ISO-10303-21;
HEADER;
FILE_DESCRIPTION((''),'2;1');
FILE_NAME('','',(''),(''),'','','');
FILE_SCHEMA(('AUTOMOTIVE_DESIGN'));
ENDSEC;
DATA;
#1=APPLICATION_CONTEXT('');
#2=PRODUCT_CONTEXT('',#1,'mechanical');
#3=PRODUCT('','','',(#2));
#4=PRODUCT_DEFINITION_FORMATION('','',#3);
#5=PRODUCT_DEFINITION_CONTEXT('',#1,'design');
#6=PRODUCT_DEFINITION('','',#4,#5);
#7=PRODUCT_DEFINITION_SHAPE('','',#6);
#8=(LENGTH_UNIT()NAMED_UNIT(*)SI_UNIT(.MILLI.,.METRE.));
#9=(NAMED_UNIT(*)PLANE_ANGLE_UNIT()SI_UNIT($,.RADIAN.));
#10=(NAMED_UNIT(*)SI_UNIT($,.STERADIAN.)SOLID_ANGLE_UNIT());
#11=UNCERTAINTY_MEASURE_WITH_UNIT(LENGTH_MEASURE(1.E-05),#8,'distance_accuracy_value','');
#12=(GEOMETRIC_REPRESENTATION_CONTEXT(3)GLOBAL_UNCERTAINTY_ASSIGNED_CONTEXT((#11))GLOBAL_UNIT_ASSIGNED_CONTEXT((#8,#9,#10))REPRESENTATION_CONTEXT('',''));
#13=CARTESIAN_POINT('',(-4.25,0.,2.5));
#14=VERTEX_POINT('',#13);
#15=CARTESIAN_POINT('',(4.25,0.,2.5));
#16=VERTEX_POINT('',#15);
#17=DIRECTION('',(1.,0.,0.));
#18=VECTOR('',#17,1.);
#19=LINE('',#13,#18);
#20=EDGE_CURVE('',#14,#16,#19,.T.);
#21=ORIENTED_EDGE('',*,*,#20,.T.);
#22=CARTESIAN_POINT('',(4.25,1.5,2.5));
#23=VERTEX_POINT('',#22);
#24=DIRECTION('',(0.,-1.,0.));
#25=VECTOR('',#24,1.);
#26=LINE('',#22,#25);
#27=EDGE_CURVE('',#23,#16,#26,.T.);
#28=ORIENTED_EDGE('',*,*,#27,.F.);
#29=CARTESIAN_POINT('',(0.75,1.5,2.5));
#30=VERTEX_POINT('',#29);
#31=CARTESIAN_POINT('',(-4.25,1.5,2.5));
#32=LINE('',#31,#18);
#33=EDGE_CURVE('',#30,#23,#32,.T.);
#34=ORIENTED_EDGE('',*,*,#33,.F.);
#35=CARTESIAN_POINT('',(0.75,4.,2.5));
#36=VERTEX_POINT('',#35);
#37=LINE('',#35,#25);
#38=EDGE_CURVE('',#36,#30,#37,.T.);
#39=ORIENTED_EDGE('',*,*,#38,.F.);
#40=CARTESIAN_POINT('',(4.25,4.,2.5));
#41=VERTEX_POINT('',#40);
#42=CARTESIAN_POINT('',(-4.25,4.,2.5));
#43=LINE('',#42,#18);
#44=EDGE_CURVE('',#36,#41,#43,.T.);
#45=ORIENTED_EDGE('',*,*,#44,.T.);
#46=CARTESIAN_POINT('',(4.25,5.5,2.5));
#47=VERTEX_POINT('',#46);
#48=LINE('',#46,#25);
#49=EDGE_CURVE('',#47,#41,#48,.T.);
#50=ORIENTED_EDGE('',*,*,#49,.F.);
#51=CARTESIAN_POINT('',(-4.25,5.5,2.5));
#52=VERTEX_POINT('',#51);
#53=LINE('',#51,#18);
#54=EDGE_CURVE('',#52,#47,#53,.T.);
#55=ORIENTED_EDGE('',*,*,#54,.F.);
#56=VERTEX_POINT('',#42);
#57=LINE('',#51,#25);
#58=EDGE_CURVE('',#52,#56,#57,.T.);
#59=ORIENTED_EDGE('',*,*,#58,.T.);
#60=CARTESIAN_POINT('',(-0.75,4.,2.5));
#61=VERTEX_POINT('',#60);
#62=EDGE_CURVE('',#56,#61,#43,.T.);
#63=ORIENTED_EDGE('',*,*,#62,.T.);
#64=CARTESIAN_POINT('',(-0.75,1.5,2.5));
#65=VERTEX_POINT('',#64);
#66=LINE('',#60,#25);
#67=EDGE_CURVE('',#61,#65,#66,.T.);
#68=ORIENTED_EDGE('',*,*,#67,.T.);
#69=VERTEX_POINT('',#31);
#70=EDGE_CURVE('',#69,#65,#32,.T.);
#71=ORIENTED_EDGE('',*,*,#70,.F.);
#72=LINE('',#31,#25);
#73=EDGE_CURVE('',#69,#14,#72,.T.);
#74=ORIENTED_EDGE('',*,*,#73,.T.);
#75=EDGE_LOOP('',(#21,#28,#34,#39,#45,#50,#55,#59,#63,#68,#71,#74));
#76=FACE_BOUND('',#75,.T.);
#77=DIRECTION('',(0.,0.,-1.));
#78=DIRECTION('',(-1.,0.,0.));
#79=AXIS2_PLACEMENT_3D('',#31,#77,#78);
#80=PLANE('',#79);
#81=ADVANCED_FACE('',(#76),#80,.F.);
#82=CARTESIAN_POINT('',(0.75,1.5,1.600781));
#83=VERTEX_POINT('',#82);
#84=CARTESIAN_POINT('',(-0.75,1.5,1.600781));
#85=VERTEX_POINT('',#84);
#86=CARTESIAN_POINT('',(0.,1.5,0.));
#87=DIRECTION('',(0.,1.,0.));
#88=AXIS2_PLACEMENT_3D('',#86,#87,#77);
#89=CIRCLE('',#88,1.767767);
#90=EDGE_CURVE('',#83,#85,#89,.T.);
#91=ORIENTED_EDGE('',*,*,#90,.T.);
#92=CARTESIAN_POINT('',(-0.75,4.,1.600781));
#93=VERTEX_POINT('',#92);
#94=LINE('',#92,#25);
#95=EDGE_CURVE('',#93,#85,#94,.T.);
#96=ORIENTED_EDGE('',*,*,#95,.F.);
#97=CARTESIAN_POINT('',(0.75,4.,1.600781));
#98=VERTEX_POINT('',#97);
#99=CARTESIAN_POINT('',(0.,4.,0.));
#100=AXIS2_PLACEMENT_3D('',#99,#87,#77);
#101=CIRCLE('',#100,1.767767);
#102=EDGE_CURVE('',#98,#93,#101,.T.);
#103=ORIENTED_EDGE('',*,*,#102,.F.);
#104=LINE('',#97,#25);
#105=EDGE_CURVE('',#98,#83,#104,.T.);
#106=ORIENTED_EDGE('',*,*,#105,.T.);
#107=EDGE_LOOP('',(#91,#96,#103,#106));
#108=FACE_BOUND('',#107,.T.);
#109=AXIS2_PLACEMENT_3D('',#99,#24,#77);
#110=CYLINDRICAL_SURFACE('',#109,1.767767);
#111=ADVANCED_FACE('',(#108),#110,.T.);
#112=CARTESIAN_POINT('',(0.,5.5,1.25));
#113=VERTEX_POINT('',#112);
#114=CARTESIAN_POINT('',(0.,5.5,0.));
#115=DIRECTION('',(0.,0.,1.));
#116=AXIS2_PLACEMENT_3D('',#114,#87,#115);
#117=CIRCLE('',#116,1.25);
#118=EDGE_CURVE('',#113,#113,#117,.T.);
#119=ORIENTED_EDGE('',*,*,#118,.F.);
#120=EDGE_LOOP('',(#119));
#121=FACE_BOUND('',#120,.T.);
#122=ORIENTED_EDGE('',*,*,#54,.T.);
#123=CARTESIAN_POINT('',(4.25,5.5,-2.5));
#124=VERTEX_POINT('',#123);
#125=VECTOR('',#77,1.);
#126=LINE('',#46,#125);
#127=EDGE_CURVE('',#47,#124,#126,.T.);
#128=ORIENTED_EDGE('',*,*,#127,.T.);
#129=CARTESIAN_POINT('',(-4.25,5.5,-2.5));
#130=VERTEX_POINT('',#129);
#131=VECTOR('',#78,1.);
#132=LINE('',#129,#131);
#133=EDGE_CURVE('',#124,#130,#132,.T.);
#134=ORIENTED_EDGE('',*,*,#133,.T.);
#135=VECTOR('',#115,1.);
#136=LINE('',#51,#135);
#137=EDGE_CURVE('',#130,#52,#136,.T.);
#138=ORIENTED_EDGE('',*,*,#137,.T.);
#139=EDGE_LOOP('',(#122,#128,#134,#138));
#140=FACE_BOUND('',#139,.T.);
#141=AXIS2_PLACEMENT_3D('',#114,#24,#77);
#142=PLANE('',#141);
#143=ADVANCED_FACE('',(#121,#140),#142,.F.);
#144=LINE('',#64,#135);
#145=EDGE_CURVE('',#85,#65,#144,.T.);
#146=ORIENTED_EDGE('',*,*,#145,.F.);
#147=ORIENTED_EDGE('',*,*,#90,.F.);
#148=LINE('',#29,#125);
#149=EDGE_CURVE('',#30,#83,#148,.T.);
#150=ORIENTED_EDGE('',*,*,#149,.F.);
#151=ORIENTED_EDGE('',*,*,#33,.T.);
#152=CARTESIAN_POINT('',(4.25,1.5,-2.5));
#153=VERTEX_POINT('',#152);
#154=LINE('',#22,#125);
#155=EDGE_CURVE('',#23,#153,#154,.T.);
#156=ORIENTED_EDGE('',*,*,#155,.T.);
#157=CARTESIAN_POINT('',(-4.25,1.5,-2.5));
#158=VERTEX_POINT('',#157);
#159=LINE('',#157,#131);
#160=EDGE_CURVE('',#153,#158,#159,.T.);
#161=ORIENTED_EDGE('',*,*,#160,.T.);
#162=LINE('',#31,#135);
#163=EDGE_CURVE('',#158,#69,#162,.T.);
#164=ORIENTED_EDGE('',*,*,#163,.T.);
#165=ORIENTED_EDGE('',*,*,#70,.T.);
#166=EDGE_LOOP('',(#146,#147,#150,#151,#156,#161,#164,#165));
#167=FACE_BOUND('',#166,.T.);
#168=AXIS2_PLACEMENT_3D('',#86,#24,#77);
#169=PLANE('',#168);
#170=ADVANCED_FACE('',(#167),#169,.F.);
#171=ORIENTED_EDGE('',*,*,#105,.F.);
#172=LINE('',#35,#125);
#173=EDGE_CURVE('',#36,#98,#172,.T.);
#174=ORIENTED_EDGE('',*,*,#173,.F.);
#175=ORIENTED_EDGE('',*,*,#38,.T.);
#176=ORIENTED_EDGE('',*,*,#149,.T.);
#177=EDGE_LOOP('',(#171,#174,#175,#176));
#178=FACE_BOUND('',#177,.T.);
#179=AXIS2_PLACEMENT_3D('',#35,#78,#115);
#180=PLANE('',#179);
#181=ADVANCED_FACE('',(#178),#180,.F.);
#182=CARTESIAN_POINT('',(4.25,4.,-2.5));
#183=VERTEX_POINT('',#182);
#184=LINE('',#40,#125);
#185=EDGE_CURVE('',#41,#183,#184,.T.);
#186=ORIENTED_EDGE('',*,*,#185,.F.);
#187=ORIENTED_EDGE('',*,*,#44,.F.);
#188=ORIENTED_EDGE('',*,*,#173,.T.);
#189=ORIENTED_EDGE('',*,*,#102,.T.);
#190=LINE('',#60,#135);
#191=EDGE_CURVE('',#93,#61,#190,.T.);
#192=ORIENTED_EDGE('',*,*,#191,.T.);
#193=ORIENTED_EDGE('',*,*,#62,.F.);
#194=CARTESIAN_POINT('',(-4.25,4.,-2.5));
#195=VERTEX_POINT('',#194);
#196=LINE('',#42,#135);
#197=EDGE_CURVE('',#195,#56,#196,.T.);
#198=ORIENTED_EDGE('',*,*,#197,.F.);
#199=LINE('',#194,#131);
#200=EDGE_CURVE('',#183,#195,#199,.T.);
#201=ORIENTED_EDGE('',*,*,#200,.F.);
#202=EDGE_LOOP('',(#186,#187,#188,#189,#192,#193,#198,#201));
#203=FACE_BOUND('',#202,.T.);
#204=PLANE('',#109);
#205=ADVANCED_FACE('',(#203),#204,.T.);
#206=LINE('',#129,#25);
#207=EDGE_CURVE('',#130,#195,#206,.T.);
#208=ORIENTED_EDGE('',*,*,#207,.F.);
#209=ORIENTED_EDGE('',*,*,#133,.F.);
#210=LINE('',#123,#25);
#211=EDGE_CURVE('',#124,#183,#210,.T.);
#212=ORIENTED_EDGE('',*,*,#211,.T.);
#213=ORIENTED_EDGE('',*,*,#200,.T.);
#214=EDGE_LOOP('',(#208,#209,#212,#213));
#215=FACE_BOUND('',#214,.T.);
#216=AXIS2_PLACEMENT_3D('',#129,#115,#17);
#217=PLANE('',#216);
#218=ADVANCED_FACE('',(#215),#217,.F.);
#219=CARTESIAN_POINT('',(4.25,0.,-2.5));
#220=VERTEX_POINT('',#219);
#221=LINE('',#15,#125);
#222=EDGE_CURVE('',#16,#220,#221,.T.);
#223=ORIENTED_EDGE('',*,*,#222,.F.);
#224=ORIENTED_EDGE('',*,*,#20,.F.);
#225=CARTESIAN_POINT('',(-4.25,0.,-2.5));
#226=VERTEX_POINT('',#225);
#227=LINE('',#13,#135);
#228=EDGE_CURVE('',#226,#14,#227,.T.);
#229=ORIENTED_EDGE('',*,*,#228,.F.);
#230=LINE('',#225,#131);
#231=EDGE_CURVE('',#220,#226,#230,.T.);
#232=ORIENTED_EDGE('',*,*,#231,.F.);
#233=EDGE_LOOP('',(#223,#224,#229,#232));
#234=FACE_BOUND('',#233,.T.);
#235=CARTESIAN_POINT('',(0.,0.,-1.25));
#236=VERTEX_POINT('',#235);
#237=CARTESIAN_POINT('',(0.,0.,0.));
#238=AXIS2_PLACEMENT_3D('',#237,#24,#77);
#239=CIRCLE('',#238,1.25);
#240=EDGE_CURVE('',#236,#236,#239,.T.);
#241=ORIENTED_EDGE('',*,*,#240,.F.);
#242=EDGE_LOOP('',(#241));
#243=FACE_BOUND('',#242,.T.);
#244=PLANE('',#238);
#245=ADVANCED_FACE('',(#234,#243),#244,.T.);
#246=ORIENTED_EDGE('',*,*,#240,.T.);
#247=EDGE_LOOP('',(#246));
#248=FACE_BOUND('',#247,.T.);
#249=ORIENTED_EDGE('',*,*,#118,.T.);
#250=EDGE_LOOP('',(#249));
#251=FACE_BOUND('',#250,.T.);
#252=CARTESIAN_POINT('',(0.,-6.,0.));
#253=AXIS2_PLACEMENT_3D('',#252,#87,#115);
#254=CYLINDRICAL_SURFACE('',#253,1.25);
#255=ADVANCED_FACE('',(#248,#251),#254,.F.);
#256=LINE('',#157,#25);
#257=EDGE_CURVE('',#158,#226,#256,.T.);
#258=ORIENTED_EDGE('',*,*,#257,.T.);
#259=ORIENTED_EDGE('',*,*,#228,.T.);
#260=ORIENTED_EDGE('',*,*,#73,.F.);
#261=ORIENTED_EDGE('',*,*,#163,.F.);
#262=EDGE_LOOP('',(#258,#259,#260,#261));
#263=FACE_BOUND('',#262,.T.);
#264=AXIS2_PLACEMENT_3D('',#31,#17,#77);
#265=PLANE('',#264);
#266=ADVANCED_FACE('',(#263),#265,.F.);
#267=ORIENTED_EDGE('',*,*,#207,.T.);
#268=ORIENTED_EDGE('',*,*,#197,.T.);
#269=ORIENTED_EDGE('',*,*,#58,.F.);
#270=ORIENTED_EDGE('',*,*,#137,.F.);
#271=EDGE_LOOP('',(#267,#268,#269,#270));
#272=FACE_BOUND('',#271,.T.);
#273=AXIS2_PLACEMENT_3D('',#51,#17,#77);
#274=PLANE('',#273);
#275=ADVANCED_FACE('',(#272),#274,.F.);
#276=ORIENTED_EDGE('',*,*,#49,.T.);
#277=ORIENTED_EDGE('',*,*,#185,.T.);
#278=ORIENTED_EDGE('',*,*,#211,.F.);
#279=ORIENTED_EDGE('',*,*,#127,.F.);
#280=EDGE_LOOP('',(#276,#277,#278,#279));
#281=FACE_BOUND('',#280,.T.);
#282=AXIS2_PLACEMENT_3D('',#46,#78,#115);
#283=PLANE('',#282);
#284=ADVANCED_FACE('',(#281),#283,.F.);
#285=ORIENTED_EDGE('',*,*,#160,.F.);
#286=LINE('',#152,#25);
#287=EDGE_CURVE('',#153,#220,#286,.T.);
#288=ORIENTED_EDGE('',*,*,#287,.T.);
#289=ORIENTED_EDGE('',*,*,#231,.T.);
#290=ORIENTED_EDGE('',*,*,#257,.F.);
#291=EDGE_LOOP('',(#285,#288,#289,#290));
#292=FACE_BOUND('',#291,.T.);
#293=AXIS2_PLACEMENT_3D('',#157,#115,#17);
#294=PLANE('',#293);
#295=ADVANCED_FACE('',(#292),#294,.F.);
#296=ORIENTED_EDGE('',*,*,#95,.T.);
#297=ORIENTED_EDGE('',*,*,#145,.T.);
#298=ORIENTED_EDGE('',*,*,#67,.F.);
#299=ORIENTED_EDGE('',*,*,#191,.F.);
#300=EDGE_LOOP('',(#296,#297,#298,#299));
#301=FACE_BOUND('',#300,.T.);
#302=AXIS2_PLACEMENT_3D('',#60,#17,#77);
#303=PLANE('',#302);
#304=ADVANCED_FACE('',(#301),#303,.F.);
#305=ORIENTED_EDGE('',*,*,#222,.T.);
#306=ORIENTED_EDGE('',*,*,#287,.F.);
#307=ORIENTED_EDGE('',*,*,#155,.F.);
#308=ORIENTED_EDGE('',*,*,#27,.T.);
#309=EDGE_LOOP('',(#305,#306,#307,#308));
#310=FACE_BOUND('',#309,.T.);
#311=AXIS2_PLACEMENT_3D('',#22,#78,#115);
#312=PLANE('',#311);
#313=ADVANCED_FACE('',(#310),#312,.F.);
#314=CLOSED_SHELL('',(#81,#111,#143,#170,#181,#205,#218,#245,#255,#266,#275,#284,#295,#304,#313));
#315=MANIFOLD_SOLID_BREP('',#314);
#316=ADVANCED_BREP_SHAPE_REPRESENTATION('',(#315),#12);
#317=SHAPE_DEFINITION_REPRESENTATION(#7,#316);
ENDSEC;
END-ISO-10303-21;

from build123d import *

# Parameters (mm, degrees)
SKETCH1_W           = 8.5
SKETCH1_H           = 5
BOSS_EXTRUDE1_DEPTH = 1.5
BOSS_EXTRUDE2_DEPTH = 2.5
SKETCH3_W           = 8.5
SKETCH3_H           = 5
BOSS_EXTRUDE3_DEPTH = 1.5
SKETCH4_R           = 1.25
CUT_EXTRUDE1_DEPTH  = 11.5


with BuildPart() as part:
    # Sketch1 → Boss-Extrude1 (new body)
    with BuildSketch(Plane(origin=(0, 0, 0), x_dir=(1, 0, 0), z_dir=(0, 1, 0))):
        Rectangle(SKETCH1_W, SKETCH1_H)
    extrude(amount=BOSS_EXTRUDE1_DEPTH)

    # Sketch2 → Boss-Extrude2 (add)
    with BuildSketch(Plane(origin=(0, 1.5, 0), x_dir=(1, 0, 0), z_dir=(0, 1, 0))):
        with BuildLine():
            Line((-0.75, -2.5), (0.75, -2.5))
            Line((0.75, -2.5), (0.75, -1.600781056))
            ThreePointArc((0.75, -1.600781056), (0, 1.76776695), (-0.75, -1.600781056))
            Line((-0.75, -1.600781056), (-0.75, -2.5))
        make_face()
    extrude(amount=BOSS_EXTRUDE2_DEPTH)

    # Sketch3 → Boss-Extrude3 (add)
    with BuildSketch(Plane(origin=(0, 4, 0), x_dir=(1, 0, 0), z_dir=(0, 1, 0))):
        Rectangle(SKETCH3_W, SKETCH3_H)
    extrude(amount=BOSS_EXTRUDE3_DEPTH)

    # Sketch4 → Cut-Extrude1 (cut)
    with BuildSketch(Plane(origin=(0, 5.5, 0), x_dir=(1, 0, 0), z_dir=(0, 1, 0))):
        Circle(SKETCH4_R)
    extrude(amount=-CUT_EXTRUDE1_DEPTH, mode=Mode.SUBTRACT)


solid = part.part
